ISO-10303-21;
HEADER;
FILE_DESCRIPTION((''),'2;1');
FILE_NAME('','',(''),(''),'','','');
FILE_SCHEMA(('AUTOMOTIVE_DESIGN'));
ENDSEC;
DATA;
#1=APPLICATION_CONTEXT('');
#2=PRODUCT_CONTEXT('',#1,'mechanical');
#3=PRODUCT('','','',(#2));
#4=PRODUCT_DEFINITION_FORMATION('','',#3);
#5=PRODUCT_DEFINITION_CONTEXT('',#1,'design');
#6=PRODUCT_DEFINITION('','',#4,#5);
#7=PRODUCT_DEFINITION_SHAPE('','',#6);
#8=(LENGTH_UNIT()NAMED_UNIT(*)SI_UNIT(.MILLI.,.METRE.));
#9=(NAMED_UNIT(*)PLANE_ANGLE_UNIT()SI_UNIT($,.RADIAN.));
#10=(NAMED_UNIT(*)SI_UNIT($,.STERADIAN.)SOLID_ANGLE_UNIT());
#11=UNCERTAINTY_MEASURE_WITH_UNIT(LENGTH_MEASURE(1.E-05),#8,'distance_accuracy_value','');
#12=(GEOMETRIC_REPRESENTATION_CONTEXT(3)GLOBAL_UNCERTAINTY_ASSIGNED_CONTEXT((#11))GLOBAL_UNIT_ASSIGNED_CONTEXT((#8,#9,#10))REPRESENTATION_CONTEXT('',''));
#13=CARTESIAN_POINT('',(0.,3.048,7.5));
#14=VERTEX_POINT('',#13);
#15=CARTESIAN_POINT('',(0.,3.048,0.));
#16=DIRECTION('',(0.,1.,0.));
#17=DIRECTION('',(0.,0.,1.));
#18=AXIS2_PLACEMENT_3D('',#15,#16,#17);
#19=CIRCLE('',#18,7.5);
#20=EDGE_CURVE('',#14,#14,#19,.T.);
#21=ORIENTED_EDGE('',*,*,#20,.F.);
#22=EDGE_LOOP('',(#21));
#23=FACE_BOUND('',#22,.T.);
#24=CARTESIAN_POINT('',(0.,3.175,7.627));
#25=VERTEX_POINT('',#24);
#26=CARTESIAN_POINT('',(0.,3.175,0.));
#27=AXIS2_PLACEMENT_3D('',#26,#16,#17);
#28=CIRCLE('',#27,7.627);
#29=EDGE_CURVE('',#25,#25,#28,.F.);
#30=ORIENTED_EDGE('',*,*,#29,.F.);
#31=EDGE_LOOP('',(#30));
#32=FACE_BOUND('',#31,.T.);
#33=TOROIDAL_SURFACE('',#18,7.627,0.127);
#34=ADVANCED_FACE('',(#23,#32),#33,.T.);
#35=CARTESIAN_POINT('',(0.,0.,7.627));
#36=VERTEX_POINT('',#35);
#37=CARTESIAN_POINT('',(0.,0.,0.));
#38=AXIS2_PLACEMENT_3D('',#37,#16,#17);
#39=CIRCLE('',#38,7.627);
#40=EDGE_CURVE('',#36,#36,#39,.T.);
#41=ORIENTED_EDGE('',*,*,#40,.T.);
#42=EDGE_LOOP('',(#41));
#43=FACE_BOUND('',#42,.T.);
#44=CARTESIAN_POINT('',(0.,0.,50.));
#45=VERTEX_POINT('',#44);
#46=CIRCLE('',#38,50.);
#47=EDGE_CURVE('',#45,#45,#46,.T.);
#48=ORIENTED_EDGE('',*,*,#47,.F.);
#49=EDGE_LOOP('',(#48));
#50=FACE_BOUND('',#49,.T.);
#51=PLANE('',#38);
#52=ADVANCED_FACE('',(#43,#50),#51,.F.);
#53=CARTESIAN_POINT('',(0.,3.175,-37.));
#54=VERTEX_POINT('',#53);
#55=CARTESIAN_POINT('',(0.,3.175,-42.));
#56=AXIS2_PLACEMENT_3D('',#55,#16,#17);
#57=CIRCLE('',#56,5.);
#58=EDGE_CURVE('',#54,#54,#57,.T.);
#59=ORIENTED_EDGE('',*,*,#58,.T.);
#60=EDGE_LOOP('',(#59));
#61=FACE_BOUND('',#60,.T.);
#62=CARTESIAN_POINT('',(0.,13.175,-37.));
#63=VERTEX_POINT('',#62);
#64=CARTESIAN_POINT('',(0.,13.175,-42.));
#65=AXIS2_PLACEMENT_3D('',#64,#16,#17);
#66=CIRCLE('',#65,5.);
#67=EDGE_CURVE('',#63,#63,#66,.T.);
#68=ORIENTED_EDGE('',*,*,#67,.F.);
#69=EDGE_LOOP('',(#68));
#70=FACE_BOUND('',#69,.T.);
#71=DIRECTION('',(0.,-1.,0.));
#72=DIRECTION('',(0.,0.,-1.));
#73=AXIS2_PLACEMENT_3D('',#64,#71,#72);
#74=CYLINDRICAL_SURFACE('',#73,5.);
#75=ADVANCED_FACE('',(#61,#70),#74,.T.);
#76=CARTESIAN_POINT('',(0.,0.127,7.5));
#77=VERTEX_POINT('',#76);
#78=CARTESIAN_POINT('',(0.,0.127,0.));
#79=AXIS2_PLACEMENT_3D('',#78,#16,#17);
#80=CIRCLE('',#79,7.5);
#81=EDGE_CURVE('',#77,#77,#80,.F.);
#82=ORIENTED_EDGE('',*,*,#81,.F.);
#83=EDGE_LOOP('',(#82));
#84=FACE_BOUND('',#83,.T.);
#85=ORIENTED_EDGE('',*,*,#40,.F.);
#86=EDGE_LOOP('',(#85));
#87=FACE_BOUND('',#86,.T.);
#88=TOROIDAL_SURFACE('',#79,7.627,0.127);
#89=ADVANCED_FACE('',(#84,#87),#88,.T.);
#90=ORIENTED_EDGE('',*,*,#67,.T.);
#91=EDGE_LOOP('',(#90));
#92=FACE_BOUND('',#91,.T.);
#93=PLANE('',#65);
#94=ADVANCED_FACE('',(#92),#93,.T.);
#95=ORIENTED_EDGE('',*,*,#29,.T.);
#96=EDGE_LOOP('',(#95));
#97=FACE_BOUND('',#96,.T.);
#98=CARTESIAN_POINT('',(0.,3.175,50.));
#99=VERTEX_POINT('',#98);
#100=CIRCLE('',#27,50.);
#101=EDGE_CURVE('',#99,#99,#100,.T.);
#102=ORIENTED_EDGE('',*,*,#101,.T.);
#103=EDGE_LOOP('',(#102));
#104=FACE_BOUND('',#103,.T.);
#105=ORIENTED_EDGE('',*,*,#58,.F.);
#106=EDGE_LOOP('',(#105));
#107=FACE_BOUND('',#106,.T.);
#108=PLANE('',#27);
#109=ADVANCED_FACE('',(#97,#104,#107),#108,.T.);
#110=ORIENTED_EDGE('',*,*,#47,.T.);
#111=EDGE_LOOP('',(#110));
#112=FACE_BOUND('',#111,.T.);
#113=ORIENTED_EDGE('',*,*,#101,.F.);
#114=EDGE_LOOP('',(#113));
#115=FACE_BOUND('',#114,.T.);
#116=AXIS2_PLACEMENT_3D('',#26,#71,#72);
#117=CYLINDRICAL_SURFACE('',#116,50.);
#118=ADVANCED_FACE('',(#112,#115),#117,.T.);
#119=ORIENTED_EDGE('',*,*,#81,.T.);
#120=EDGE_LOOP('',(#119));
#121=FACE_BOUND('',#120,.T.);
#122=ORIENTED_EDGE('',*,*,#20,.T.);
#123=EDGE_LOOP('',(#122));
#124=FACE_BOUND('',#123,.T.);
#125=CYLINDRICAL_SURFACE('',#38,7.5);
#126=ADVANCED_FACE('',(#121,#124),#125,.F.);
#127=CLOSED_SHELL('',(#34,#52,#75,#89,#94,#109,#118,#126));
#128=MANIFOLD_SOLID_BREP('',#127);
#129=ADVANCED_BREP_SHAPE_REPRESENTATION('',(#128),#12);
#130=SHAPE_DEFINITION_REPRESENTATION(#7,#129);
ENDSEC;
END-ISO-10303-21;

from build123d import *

# Parameters (mm, degrees)
SKETCH1_R           = 50
BOSS_EXTRUDE1_DEPTH = 3.175
SKETCH3_R           = 7.5
CUT_EXTRUDE1_DEPTH  = 71.78192301
FILLET3_R           = 0.127
SKETCH4_R           = 5
BOSS_EXTRUDE2_DEPTH = 10


with BuildPart() as part:
    # Sketch1 → Boss-Extrude1 (new body)
    with BuildSketch(Plane(origin=(0, 0, 0), x_dir=(1, 0, 0), z_dir=(0, 1, 0))):
        Circle(SKETCH1_R)
    extrude(amount=BOSS_EXTRUDE1_DEPTH)

    # Sketch3 → Cut-Extrude1 (cut, through all)
    with BuildSketch(Plane(origin=(0, 3.175, 0), x_dir=(1, 0, 0), z_dir=(0, 1, 0))):
        Circle(SKETCH3_R)
    extrude(amount=-CUT_EXTRUDE1_DEPTH, mode=Mode.SUBTRACT)

    # Fillet3
    fillet3_edges = [part.edges().sort_by_distance(p)[0] for p in [
        (-7.5, 0, 0),
        (-7.5, 3.175, 0),
    ]]
    fillet(fillet3_edges, radius=FILLET3_R)

    # Sketch4 → Boss-Extrude2 (add)
    with BuildSketch(Plane(origin=(0, 3.175, 0), x_dir=(1, 0, 0), z_dir=(0, 1, 0))):
        with Locations((0, 42)):
            Circle(SKETCH4_R)
    extrude(amount=BOSS_EXTRUDE2_DEPTH)


solid = part.part
